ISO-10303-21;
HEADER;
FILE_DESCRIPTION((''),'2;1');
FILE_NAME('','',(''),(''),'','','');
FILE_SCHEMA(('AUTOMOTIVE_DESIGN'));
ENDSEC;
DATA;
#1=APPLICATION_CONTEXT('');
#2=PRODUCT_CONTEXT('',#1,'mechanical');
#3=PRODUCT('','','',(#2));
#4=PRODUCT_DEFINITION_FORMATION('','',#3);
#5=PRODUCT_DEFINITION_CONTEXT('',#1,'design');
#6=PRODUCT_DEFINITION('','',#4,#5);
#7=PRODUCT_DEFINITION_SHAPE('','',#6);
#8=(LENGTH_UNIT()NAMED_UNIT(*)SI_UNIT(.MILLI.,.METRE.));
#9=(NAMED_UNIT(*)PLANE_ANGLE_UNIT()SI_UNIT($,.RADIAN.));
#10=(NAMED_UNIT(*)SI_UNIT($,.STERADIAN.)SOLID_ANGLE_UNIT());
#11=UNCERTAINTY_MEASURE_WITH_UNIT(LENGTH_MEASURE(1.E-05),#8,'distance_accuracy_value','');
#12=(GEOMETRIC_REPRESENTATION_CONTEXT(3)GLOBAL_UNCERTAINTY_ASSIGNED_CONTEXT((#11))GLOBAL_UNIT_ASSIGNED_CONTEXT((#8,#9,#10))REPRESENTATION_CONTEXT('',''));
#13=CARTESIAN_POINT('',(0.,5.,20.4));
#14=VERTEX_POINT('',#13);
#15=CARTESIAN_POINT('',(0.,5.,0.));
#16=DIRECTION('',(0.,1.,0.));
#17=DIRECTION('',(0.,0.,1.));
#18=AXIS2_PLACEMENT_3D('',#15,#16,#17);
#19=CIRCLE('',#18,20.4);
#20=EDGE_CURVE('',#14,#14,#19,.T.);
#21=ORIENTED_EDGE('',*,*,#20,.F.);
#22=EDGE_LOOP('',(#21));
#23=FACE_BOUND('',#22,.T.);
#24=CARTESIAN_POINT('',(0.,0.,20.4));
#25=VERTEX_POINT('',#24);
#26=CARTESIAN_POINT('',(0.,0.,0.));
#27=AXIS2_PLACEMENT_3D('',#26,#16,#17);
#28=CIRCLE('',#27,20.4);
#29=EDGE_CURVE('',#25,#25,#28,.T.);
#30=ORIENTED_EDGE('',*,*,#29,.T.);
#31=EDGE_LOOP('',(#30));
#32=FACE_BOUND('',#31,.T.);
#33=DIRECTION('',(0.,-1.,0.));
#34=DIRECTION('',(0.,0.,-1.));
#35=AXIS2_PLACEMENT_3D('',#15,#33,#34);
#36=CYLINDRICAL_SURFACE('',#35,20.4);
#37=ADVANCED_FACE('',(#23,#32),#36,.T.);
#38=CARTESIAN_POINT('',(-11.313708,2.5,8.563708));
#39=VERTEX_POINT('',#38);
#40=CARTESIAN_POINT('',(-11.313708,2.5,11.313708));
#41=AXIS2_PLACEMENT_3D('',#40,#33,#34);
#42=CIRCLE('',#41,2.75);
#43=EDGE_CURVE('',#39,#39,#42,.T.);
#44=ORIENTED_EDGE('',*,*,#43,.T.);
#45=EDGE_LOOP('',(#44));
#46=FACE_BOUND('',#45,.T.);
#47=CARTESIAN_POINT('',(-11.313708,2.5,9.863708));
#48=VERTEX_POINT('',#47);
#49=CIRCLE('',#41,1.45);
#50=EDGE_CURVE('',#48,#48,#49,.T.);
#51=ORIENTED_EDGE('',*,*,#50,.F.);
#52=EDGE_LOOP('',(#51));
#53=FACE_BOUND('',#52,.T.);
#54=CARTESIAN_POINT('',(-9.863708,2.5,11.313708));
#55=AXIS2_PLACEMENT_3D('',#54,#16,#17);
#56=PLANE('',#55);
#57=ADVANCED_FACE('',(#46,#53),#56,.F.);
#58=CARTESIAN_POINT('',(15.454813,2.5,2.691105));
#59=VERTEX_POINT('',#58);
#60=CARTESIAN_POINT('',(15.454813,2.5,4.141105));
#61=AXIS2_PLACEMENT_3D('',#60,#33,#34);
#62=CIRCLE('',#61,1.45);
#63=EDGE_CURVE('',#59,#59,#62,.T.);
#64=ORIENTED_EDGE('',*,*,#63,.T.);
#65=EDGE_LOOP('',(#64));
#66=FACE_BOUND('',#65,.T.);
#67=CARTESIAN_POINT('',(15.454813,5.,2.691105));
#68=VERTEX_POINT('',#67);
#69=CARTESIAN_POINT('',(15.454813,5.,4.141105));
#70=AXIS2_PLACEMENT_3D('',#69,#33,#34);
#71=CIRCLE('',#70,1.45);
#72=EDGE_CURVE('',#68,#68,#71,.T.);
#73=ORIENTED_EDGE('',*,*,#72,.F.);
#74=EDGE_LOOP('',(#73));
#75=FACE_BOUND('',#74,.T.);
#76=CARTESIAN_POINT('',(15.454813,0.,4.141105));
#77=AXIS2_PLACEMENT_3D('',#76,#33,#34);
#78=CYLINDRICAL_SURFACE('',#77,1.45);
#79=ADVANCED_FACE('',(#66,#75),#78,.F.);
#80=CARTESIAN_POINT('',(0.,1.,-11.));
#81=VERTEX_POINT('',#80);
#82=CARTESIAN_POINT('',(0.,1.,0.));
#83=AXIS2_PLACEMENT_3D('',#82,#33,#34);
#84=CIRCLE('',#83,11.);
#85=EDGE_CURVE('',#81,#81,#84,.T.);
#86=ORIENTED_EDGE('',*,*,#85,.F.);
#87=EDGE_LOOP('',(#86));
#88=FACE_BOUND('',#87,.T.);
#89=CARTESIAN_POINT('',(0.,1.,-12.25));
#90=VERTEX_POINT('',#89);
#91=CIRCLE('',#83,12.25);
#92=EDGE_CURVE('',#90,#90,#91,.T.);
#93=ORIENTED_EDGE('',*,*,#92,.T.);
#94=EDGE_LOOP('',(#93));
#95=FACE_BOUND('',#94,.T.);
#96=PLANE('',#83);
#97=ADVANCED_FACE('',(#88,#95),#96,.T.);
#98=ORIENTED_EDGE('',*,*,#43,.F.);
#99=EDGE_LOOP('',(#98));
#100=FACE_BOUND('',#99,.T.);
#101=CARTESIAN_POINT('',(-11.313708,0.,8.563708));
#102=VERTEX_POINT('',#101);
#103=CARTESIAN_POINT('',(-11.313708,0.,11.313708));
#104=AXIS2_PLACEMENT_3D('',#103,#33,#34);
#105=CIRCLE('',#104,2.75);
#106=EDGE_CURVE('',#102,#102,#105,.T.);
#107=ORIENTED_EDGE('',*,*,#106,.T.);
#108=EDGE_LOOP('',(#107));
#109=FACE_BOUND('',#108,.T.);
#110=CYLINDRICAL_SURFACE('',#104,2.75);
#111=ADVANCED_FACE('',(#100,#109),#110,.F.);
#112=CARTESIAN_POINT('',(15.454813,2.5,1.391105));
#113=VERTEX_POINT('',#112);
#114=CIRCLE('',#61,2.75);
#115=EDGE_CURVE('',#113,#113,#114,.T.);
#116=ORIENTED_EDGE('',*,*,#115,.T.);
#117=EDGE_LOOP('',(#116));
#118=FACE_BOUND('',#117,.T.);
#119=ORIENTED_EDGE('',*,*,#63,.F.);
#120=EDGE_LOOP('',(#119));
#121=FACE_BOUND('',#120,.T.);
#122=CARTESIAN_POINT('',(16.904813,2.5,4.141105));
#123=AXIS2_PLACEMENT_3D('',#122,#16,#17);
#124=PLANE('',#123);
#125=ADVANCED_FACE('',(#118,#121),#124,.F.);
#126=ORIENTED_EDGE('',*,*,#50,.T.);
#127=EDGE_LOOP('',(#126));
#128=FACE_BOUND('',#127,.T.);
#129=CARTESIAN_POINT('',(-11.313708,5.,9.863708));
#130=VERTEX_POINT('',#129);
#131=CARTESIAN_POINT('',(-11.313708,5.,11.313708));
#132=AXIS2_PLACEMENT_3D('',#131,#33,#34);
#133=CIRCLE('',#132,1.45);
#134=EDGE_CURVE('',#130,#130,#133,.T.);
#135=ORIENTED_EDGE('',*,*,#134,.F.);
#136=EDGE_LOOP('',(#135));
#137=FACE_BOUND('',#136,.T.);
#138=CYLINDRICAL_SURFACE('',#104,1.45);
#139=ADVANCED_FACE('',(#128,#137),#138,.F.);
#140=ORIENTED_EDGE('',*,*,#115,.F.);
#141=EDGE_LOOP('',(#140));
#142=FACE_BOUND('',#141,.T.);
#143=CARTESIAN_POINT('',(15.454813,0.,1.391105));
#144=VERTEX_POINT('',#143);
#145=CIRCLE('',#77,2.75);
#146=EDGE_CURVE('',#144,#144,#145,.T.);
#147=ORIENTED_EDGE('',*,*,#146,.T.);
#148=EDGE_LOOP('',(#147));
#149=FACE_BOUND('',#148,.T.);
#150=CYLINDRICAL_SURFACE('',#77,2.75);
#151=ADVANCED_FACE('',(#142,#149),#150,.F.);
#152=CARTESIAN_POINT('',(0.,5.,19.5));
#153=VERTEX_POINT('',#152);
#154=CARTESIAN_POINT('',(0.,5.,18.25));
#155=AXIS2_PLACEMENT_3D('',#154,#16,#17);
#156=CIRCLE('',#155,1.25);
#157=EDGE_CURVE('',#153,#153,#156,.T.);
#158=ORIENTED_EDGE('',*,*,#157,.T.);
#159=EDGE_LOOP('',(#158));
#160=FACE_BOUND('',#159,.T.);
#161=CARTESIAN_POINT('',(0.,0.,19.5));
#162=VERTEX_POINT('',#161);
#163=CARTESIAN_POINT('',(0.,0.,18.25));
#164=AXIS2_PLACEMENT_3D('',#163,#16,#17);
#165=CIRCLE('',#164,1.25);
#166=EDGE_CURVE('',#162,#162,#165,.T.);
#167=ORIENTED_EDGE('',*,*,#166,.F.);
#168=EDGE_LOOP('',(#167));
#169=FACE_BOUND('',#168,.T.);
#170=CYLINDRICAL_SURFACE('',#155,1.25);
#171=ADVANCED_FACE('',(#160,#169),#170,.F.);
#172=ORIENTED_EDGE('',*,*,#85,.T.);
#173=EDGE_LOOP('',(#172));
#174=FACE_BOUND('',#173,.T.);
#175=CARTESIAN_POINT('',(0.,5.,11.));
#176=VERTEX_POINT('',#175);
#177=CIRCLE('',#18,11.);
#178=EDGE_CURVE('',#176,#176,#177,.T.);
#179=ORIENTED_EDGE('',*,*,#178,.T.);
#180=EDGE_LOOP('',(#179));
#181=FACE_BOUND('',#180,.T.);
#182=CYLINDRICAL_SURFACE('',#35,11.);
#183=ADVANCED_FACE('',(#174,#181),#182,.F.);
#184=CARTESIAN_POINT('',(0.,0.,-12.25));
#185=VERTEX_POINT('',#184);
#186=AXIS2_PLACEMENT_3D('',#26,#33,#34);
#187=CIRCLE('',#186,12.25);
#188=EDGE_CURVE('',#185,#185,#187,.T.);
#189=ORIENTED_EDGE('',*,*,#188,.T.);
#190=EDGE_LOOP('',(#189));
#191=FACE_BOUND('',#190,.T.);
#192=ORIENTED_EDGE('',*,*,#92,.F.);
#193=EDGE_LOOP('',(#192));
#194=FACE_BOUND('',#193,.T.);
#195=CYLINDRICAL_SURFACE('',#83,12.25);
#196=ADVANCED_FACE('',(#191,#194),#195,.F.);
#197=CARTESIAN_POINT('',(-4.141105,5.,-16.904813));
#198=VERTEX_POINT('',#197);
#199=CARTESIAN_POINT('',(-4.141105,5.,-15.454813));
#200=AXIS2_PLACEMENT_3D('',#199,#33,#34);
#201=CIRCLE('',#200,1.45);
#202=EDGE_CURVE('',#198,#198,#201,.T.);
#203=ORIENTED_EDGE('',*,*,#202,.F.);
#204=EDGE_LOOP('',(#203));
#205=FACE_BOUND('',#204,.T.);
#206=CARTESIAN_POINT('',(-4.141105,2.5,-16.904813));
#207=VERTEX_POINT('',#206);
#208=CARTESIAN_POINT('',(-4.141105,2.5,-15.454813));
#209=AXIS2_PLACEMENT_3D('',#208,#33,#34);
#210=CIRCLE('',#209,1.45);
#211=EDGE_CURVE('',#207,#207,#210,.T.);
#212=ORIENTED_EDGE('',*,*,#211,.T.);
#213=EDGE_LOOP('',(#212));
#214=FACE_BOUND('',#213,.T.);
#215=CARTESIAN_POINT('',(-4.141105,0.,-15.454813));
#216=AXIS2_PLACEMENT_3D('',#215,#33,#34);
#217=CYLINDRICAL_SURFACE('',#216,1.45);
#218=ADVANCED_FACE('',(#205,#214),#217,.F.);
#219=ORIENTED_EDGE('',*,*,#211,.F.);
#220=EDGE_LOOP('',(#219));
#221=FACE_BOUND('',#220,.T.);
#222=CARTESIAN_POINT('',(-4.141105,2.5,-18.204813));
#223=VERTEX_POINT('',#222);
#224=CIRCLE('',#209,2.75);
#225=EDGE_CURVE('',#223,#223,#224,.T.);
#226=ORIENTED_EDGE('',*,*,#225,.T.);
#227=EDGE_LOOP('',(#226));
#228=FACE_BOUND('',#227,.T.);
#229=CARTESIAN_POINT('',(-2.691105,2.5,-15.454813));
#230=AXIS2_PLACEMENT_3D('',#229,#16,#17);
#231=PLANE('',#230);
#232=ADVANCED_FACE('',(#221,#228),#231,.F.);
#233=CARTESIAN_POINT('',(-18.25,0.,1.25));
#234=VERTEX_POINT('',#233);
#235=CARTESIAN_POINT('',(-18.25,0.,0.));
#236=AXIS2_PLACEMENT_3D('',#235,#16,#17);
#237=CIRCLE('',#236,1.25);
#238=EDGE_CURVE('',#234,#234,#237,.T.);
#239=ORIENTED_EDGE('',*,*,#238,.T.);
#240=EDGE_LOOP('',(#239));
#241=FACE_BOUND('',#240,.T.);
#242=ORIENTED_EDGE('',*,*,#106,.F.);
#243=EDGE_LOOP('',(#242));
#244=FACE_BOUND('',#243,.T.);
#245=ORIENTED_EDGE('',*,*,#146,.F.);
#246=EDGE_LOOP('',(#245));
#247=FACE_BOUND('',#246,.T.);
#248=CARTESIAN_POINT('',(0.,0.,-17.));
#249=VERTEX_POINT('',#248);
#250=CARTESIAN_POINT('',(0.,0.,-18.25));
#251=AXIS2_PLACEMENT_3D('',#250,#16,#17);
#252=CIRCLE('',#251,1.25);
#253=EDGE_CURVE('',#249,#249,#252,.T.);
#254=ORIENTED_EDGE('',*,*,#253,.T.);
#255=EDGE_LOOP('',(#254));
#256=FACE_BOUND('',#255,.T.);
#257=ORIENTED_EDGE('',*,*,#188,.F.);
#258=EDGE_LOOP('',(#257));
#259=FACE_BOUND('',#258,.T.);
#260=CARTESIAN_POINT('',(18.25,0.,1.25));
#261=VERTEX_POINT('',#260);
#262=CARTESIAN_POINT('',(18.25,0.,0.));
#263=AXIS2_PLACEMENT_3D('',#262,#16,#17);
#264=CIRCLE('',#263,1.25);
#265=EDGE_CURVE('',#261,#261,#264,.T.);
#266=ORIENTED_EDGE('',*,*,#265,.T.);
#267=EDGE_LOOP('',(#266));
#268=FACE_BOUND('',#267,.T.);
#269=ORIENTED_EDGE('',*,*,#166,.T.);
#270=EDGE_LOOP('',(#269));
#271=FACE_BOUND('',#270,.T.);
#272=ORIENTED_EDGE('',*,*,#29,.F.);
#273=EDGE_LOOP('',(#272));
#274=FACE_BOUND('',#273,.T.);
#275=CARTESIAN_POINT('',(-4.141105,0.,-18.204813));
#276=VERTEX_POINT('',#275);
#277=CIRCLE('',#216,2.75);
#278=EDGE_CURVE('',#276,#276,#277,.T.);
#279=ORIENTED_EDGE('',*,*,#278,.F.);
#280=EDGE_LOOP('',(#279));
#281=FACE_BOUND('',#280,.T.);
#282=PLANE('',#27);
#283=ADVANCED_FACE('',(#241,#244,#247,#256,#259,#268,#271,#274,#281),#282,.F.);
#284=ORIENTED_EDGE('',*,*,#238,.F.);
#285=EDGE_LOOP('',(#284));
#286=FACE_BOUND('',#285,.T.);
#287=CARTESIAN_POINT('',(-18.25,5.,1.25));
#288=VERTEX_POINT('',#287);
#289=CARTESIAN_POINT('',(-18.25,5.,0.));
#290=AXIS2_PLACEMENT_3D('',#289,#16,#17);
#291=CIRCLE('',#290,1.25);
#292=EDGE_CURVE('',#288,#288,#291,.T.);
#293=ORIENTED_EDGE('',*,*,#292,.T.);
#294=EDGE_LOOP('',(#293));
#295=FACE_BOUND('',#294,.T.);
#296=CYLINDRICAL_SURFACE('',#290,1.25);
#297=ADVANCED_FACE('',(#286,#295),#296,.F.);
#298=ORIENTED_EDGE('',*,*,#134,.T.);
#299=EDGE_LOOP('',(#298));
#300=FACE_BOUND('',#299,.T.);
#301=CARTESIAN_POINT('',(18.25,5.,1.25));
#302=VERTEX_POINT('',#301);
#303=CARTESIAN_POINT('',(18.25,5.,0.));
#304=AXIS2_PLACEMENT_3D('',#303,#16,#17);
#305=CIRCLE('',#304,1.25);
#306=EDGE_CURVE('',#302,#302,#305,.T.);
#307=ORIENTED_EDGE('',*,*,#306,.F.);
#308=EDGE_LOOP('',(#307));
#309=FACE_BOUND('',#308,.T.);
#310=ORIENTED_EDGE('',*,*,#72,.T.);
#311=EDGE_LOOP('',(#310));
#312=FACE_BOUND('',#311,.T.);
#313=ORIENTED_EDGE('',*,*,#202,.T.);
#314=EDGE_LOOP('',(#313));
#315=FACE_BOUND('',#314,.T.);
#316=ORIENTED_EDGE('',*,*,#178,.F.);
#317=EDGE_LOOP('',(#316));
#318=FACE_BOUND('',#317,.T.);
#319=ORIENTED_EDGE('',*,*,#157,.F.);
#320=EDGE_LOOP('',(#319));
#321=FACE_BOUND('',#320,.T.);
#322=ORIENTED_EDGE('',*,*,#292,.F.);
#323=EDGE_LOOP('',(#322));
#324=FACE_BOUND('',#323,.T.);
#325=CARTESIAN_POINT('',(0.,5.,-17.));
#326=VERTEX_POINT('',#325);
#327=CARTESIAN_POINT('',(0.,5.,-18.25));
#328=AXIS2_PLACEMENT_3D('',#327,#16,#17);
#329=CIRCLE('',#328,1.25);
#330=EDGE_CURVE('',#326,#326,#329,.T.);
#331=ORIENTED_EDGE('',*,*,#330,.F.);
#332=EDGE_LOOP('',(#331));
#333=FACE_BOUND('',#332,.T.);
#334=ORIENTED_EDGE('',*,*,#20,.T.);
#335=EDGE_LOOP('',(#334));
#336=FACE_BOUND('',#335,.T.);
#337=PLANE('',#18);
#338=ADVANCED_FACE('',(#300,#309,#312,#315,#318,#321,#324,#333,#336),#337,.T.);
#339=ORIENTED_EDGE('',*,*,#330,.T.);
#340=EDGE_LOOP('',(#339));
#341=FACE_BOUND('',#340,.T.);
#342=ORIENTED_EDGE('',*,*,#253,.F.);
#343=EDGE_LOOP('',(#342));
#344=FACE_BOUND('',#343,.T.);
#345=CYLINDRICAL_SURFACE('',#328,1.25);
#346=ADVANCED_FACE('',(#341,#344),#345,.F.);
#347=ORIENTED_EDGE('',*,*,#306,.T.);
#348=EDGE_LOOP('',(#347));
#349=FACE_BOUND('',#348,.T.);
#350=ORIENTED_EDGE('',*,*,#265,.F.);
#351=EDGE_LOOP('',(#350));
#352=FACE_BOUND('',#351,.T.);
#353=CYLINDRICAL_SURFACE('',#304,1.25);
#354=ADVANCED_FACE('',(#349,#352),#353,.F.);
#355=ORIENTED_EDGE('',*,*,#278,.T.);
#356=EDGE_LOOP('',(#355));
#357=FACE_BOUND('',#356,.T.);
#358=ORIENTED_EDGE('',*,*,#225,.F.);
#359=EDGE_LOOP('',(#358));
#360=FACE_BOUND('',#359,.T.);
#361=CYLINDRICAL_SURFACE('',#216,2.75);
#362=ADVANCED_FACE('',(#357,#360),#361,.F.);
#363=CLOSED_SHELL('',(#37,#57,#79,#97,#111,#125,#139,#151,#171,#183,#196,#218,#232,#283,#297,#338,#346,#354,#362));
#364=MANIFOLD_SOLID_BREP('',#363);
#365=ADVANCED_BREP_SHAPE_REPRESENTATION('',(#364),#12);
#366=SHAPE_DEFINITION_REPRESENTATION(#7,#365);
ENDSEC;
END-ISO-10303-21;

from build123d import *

# Parameters (mm, degrees)
SKETCH_1_R                    = 20.4
SKETCH_1_R_2                  = 11
EXTRUDE_1_DEPTH               = 5
M3X0_51_D                     = 2.5
HOLE_WIZARD_M2_51_D           = 2.9
HOLE_WIZARD_M2_51_CBORE_D     = 5.5
HOLE_WIZARD_M2_51_CBORE_DEPTH = 2.5
SKETCH_9_R                    = 12.25
CUT_EXTRUDE_1_DEPTH           = 1


with BuildPart() as part:
    # Эскиз1 → Бобышка-Вытянуть1 (new body)
    with BuildSketch(Plane(origin=(0, 0, 0), x_dir=(1, 0, 0), z_dir=(0, 1, 0))):
        Circle(SKETCH_1_R)
        Circle(SKETCH_1_R_2, mode=Mode.SUBTRACT)
    extrude(amount=EXTRUDE_1_DEPTH)

    # Отверстие обработанное метчиком M3x0.51 (through all)
    with Locations(Plane(origin=(0, 5, 0), x_dir=(1, 0, 0), z_dir=(0, 1, 0))):
        with Locations((-18.25, 0), (0, 18.25), (18.25, 0), (0, -18.25)):
            Hole(M3X0_51_D / 2)

    # Цековка для винта с внутренним шестигранником M2.51 (through all)
    with Locations(Plane(origin=(0, 0, 0), x_dir=(-1, 0, 0), z_dir=(0, -1, 0))):
        with Locations((11.313708499, -11.313708499), (4.141104722, 15.454813221), (-15.454813221, -4.141104722)):
            CounterBoreHole(HOLE_WIZARD_M2_51_D / 2, HOLE_WIZARD_M2_51_CBORE_D / 2, HOLE_WIZARD_M2_51_CBORE_DEPTH)

    # Эскиз9 → Вырез-Вытянуть1 (cut)
    with BuildSketch(Plane.XZ):
        Circle(SKETCH_9_R)
    extrude(amount=-CUT_EXTRUDE_1_DEPTH, mode=Mode.SUBTRACT)


solid = part.part
